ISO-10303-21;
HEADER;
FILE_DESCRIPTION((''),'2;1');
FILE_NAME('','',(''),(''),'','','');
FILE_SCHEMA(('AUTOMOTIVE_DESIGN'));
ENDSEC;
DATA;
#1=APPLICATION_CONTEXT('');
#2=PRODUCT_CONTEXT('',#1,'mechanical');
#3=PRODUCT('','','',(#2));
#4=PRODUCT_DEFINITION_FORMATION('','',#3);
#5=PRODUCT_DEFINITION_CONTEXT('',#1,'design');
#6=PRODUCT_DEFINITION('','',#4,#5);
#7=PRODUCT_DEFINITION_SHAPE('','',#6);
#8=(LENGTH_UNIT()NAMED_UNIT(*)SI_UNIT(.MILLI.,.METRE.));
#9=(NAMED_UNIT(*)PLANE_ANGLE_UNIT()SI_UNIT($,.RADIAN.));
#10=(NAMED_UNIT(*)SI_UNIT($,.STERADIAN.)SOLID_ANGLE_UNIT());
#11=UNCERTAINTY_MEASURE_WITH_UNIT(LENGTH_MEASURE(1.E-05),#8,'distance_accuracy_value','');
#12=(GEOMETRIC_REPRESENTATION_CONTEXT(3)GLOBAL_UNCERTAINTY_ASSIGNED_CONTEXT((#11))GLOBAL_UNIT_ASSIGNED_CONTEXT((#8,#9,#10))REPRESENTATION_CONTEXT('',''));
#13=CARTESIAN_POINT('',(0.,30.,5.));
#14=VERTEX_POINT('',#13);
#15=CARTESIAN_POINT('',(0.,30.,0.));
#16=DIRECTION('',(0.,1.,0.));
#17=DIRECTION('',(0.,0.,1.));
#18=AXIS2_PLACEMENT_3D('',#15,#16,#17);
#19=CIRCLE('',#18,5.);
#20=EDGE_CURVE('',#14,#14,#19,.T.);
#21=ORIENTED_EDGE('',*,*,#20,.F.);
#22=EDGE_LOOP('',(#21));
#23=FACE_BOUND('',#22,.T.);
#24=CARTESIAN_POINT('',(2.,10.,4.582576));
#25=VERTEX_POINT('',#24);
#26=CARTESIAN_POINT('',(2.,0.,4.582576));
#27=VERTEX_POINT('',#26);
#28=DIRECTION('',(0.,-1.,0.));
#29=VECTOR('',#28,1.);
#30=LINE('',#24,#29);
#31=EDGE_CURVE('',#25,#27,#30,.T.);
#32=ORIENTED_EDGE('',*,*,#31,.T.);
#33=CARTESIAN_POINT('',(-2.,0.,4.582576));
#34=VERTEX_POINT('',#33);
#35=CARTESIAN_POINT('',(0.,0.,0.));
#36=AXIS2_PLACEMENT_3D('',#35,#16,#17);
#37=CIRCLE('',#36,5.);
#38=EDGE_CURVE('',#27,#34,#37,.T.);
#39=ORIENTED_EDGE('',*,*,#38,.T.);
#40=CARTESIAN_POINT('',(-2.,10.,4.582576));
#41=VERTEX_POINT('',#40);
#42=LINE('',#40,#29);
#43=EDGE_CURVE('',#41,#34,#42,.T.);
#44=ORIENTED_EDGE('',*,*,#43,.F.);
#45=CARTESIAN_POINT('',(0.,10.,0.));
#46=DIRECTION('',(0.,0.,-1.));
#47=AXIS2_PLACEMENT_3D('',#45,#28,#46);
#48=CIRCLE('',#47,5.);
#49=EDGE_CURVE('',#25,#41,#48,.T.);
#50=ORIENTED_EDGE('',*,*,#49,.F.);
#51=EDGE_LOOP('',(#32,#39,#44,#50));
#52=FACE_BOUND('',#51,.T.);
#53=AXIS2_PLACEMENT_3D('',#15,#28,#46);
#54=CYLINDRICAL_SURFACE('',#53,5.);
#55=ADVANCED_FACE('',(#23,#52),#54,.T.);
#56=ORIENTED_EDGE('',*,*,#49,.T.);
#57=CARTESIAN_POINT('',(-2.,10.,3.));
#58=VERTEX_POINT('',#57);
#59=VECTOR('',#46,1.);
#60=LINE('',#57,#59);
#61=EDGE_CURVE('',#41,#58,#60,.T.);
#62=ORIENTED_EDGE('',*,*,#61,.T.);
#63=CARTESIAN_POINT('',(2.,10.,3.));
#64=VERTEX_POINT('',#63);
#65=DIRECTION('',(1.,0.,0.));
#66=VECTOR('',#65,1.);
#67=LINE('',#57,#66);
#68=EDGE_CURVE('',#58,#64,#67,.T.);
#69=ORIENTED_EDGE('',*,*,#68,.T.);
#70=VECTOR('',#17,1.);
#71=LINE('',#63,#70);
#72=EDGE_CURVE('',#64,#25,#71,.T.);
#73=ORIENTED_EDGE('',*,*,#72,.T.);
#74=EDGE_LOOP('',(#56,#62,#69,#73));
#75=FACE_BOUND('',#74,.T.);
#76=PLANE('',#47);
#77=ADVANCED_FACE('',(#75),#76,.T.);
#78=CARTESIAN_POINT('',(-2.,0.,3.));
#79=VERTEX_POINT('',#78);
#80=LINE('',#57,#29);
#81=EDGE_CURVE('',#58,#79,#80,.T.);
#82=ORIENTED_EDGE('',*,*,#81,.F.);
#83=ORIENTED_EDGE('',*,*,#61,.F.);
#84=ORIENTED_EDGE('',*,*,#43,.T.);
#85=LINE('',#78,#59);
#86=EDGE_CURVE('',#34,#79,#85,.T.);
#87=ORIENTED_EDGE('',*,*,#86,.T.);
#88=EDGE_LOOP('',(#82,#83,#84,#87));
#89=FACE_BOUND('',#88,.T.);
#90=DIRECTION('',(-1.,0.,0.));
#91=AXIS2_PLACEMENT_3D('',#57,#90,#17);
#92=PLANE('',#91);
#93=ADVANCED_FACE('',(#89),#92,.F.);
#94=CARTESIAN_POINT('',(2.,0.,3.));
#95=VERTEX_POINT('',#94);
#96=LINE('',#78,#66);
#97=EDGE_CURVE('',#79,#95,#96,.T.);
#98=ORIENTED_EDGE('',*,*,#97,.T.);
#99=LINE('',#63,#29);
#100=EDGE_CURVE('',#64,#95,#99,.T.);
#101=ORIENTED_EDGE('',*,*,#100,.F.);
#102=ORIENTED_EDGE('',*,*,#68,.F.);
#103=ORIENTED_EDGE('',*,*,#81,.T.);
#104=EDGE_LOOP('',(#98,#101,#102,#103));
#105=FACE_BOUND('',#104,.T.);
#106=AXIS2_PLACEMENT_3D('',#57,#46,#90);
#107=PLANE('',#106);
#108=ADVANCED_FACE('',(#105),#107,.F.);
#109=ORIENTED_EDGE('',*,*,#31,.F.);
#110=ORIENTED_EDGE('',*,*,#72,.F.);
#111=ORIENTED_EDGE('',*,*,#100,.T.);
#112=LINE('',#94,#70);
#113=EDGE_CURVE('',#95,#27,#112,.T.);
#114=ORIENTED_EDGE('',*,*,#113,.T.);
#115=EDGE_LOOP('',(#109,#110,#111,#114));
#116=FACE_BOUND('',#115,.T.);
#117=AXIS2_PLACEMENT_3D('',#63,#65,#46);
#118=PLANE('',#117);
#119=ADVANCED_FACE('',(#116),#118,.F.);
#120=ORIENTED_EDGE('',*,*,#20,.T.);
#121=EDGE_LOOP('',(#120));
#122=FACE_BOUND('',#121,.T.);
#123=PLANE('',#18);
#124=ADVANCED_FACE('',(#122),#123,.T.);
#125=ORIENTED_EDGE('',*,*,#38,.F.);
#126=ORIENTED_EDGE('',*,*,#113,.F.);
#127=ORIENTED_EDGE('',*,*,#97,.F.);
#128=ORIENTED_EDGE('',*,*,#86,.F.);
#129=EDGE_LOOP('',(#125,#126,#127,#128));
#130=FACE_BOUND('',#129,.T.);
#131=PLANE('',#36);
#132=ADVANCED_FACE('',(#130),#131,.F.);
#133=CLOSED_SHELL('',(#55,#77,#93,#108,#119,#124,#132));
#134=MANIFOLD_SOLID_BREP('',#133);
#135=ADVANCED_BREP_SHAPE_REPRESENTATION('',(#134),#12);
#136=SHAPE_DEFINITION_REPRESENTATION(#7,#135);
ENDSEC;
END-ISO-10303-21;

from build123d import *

# Parameters (mm, degrees)
SKETCH1_R           = 5
BOSS_EXTRUDE1_DEPTH = 30
CUT_EXTRUDE1_DEPTH  = 10


with BuildPart() as part:
    # Sketch1 → Boss-Extrude1 (new body)
    with BuildSketch(Plane(origin=(0, 0, 0), x_dir=(1, 0, 0), z_dir=(0, 1, 0))):
        Circle(SKETCH1_R)
    extrude(amount=BOSS_EXTRUDE1_DEPTH)

    # Sketch2 → Cut-Extrude1 (cut)
    with BuildSketch(Plane.XZ):
        with BuildLine():
            Line((-2, 3), (2, 3))
            Line((2, 3), (2, 4.582575695))
            ThreePointArc((2, 4.582575695), (0, 5), (-2, 4.582575695))
            Line((-2, 4.582575695), (-2, 3))
        make_face()
    extrude(amount=-CUT_EXTRUDE1_DEPTH, mode=Mode.SUBTRACT)


solid = part.part
